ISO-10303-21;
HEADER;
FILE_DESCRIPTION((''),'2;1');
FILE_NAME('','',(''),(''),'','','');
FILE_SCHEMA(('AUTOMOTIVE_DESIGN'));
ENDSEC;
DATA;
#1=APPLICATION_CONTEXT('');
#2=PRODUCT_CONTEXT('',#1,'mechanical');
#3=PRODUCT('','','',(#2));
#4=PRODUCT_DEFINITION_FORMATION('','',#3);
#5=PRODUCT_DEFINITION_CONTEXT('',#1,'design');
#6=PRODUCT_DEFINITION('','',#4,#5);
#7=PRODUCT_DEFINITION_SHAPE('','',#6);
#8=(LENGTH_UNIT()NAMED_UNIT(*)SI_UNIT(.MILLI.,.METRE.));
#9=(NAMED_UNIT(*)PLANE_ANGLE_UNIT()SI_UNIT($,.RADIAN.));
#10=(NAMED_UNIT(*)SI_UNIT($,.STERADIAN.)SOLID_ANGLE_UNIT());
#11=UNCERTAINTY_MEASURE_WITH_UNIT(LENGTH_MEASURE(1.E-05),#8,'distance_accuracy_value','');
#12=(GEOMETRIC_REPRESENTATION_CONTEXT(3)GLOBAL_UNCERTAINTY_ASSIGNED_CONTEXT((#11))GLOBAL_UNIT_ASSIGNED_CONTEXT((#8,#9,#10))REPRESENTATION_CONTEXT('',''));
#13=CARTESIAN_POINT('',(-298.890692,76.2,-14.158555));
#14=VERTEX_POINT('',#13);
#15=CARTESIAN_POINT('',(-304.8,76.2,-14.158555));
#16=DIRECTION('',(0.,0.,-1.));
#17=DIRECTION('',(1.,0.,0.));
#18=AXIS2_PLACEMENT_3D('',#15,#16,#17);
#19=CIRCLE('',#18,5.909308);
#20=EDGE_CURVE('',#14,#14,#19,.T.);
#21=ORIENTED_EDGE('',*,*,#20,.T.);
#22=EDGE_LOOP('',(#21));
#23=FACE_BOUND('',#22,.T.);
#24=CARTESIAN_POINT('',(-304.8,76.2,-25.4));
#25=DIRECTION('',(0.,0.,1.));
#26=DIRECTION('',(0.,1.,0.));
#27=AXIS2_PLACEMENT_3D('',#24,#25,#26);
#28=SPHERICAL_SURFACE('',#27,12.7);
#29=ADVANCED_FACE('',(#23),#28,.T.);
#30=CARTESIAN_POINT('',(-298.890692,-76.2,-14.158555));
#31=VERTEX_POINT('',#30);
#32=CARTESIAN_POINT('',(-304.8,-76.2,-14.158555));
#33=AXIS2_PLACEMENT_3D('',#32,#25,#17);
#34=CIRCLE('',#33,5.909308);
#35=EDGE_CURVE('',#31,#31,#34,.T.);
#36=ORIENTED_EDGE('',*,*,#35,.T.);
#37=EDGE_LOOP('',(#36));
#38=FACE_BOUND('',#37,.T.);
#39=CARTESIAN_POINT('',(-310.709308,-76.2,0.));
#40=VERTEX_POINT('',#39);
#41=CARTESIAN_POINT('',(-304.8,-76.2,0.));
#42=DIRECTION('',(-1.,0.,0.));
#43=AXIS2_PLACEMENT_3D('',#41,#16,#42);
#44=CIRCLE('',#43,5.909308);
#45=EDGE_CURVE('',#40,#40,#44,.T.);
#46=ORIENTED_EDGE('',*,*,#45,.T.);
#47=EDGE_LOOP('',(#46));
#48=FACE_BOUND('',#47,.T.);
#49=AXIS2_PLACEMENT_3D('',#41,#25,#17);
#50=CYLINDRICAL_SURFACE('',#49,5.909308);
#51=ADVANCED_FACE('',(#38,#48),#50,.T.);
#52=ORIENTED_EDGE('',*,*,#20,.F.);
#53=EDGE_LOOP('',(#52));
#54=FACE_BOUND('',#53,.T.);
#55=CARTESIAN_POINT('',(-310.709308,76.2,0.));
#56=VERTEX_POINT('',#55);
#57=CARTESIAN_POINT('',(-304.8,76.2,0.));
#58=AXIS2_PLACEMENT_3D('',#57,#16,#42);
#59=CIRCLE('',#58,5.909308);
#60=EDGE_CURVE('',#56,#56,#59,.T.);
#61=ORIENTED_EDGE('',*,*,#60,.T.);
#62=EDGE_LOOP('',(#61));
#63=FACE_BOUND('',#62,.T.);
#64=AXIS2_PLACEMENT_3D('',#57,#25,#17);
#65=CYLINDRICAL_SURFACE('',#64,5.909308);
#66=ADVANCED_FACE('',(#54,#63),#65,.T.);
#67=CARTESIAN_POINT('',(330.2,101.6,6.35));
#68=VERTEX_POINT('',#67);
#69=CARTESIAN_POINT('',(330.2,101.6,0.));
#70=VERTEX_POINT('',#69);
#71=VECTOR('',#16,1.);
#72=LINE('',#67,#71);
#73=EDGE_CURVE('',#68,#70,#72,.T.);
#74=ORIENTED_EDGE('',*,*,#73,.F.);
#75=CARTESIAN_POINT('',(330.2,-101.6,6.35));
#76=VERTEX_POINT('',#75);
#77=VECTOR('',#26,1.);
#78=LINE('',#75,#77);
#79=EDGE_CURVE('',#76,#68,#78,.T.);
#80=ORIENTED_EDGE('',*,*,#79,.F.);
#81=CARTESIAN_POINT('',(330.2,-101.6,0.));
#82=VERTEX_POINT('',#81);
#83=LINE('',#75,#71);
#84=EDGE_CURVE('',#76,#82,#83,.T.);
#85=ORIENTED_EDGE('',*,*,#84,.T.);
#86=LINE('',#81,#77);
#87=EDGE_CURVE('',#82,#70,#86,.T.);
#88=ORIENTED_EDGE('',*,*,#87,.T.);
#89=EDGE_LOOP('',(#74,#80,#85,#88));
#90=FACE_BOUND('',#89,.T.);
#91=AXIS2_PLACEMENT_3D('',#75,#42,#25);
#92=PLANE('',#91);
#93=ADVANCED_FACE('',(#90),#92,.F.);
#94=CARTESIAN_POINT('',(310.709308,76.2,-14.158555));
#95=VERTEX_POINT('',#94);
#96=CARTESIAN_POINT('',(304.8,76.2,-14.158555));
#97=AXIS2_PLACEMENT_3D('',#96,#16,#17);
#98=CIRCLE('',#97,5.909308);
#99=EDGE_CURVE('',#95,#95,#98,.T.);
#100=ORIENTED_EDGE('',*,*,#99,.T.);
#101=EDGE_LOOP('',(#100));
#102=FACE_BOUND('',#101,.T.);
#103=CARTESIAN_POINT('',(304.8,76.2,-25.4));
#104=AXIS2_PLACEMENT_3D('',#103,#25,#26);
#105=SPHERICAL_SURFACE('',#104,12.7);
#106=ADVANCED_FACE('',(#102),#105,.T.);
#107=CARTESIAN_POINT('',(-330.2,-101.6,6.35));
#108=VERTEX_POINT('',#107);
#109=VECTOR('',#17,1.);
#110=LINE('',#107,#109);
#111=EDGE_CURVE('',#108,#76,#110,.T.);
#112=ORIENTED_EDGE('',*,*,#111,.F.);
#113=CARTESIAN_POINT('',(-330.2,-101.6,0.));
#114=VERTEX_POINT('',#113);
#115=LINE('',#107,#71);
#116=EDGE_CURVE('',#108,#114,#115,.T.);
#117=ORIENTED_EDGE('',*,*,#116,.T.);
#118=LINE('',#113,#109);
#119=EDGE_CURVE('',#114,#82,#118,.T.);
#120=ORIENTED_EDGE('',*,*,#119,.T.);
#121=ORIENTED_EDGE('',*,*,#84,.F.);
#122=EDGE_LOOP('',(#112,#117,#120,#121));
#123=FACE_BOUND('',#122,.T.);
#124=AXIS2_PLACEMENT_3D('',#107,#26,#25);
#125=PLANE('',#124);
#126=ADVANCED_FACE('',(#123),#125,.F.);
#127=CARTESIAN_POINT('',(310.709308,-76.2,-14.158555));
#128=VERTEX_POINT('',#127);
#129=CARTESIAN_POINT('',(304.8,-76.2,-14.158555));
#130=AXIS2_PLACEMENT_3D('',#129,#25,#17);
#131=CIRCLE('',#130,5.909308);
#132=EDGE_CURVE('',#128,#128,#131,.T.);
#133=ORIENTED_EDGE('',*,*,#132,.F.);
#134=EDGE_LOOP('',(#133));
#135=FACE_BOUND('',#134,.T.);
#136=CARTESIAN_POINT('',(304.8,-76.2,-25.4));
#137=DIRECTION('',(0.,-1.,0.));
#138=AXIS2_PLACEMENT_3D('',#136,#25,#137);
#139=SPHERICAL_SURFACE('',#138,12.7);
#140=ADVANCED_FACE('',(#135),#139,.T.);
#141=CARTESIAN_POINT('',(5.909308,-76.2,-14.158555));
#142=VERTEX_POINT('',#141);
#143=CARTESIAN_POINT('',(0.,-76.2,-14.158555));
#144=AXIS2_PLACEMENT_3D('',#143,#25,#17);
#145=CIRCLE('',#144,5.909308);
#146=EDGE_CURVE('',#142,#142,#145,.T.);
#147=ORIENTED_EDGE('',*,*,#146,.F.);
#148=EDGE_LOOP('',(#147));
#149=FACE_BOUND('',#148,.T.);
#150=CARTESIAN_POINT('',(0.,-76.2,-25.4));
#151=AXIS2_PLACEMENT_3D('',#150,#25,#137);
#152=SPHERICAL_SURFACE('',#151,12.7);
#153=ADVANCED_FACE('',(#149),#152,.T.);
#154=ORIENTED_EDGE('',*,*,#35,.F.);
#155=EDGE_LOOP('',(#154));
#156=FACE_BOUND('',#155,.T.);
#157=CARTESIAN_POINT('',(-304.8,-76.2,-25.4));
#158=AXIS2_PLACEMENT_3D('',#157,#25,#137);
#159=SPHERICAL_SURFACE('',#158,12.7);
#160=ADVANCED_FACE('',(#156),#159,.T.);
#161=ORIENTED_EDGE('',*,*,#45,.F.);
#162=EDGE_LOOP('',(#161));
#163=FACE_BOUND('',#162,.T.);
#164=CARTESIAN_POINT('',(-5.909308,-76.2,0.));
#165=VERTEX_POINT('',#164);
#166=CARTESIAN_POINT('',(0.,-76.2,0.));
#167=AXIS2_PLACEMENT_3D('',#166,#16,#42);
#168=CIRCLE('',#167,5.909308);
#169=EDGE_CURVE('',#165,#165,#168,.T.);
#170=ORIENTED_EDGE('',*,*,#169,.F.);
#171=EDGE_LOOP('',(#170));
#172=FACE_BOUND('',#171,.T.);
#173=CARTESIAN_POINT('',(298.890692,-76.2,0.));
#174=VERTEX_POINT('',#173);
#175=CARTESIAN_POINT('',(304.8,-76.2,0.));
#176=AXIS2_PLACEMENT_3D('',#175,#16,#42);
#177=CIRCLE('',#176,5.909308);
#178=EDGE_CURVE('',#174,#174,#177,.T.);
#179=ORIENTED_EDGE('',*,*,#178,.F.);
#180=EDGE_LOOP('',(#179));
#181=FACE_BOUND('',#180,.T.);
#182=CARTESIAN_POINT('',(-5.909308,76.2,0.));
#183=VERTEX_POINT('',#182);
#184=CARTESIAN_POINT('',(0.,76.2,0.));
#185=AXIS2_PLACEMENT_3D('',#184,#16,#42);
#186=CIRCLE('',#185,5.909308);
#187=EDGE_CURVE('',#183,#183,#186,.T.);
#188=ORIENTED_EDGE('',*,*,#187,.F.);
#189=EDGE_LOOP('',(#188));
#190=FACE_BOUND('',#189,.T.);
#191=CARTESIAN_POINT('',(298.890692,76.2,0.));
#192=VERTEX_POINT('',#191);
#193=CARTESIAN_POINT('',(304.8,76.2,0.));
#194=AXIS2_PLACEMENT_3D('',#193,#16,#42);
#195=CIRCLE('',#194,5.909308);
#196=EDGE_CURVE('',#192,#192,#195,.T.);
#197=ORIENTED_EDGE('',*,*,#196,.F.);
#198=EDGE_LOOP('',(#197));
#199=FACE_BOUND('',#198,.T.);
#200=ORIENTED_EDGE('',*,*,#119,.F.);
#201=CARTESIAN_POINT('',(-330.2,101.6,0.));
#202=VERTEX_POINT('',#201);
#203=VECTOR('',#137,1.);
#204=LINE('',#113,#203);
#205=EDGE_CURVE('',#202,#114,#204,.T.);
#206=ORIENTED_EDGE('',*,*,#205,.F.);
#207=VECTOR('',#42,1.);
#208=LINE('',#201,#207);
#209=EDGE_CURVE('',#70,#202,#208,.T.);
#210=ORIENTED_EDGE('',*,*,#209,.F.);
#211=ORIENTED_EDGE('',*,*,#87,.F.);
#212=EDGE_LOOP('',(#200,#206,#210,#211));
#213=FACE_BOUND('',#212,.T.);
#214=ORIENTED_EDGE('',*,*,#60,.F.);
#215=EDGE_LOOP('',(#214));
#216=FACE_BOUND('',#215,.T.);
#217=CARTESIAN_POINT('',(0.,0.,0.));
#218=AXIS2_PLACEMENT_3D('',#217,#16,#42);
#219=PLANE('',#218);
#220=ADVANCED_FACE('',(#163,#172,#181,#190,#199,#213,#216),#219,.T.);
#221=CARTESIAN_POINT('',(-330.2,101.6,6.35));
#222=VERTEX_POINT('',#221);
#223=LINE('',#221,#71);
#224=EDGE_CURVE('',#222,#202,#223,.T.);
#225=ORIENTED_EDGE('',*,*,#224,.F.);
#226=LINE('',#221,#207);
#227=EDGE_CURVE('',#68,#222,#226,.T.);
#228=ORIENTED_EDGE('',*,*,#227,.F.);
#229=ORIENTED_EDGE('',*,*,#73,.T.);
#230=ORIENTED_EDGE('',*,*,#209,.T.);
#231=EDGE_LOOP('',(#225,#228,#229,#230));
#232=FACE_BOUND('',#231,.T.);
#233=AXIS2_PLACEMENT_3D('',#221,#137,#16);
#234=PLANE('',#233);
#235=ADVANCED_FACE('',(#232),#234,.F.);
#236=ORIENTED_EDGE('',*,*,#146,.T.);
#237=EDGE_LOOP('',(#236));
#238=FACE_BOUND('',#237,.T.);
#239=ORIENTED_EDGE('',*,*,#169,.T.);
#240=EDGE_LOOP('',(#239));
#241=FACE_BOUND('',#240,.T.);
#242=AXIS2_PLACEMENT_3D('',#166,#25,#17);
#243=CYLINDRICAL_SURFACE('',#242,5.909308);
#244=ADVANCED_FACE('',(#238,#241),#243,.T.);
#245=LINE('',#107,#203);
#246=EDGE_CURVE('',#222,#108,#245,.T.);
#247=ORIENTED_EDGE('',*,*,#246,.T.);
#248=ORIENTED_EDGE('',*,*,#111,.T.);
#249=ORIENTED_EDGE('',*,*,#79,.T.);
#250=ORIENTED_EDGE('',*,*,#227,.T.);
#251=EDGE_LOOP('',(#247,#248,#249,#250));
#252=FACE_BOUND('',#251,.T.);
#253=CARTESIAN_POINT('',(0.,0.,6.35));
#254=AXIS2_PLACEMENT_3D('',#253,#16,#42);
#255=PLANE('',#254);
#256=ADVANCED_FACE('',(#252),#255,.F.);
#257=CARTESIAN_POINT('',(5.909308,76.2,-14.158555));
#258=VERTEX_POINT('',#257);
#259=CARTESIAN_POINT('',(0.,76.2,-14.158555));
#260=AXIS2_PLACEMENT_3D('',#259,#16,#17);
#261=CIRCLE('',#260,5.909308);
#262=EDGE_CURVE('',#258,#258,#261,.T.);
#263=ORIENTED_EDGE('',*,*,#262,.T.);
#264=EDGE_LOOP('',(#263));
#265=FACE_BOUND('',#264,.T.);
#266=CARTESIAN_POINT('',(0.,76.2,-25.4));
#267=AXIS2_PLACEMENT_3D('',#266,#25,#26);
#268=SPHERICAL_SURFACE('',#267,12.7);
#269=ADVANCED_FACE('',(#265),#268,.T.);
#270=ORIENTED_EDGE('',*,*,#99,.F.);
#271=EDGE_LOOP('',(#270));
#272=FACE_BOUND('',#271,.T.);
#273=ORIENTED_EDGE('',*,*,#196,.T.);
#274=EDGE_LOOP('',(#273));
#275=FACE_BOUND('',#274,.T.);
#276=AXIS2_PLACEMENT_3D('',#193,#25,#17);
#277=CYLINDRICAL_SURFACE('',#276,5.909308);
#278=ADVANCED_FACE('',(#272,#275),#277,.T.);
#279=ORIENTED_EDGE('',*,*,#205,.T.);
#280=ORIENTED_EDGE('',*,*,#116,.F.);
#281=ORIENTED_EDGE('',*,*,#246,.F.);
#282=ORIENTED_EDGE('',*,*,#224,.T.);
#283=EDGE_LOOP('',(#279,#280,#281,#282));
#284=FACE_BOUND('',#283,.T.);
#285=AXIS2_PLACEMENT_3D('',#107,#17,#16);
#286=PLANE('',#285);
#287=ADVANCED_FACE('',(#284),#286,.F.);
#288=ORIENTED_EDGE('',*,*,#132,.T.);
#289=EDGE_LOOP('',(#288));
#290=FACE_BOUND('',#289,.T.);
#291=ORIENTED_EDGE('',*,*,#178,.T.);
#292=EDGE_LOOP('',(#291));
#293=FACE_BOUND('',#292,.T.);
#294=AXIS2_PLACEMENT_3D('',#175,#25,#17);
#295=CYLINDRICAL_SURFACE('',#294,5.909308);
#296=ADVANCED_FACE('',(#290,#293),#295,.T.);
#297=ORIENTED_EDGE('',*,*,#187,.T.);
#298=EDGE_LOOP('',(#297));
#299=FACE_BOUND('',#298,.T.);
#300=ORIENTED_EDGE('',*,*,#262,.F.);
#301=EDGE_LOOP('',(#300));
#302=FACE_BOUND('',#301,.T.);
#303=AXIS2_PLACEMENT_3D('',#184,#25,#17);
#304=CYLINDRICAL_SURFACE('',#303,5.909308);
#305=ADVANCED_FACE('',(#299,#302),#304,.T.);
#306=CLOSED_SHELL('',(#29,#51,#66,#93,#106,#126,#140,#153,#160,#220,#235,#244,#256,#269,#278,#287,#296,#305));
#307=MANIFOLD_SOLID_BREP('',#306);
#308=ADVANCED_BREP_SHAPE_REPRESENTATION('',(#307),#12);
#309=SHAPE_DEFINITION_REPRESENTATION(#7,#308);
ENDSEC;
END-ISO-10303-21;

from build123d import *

# Parameters (mm, degrees)
SKETCH1_W           = 660.4
SKETCH1_H           = 203.2
BOSS_EXTRUDE1_DEPTH = 6.35
LPATTERN1_COUNT     = 2
LPATTERN1_PITCH     = 304.8
LPATTERN1_COL_COUNT = 2
LPATTERN1_COL_PITCH = 304.8


with BuildPart() as part:
    # Sketch1 → Boss-Extrude1 (new body)
    with BuildSketch(Plane.XY):
        Rectangle(SKETCH1_W, SKETCH1_H)
    extrude(amount=BOSS_EXTRUDE1_DEPTH)

    # Sketch3 → Revolve1 (revolve)
    with BuildSketch(Plane(origin=(0, 0, 0), x_dir=(0, 0, -1), z_dir=(1, 0, 0))):
        with BuildLine():
            Line((0, -76.2), (38.1, -76.2))
            ThreePointArc((38.1, -76.2), (28.44332506, -88.529970502), (14.158555499, -82.10930838))
            Line((14.158555499, -82.10930838), (0, -82.10930838))
            Line((0, -82.10930838), (0, -76.2))
        make_face()
    revolve1 = revolve(axis=Axis((0, -76.2, 0), (0, 0, -1)))

    # Mirror1: Revolve1 across plane
    add(revolve1.mirror(Plane.ZX))

    # LPattern1: Revolve1 ×2
    with Locations(*[(i * LPATTERN1_PITCH, 0, 0) for i in range(1, LPATTERN1_COUNT)]):
        add(revolve1)

    # LPattern1 copy 1 sketch → LPattern1 copy 1 (revolve)
    with BuildSketch(Plane(origin=(304.8, 0, 0), x_dir=(0, 0, -1), z_dir=(1, 0, 0))):
        with BuildLine():
            Line((0, 76.2), (38.1, 76.2))
            ThreePointArc((38.1, 76.2), (28.44332506, 88.529970502), (14.158555499, 82.10930838))
            Line((14.158555499, 82.10930838), (0, 82.10930838))
            Line((0, 82.10930838), (0, 76.2))
        make_face()
    revolve(axis=Axis((304.8, 76.2, 0), (0, 0, 1)))

    # LPattern1 col: Revolve1 ×2
    with Locations(*[(-i * LPATTERN1_COL_PITCH, 0, 0) for i in range(1, LPATTERN1_COL_COUNT)]):
        add(revolve1)

    # LPattern1 col copy 1 sketch → LPattern1 col copy 1 (revolve)
    with BuildSketch(Plane(origin=(-304.8, 0, 0), x_dir=(0, 0, -1), z_dir=(1, 0, 0))):
        with BuildLine():
            Line((0, 76.2), (38.1, 76.2))
            ThreePointArc((38.1, 76.2), (28.44332506, 88.529970502), (14.158555499, 82.10930838))
            Line((14.158555499, 82.10930838), (0, 82.10930838))
            Line((0, 82.10930838), (0, 76.2))
        make_face()
    revolve(axis=Axis((-304.8, 76.2, 0), (0, 0, 1)))


solid = part.part
